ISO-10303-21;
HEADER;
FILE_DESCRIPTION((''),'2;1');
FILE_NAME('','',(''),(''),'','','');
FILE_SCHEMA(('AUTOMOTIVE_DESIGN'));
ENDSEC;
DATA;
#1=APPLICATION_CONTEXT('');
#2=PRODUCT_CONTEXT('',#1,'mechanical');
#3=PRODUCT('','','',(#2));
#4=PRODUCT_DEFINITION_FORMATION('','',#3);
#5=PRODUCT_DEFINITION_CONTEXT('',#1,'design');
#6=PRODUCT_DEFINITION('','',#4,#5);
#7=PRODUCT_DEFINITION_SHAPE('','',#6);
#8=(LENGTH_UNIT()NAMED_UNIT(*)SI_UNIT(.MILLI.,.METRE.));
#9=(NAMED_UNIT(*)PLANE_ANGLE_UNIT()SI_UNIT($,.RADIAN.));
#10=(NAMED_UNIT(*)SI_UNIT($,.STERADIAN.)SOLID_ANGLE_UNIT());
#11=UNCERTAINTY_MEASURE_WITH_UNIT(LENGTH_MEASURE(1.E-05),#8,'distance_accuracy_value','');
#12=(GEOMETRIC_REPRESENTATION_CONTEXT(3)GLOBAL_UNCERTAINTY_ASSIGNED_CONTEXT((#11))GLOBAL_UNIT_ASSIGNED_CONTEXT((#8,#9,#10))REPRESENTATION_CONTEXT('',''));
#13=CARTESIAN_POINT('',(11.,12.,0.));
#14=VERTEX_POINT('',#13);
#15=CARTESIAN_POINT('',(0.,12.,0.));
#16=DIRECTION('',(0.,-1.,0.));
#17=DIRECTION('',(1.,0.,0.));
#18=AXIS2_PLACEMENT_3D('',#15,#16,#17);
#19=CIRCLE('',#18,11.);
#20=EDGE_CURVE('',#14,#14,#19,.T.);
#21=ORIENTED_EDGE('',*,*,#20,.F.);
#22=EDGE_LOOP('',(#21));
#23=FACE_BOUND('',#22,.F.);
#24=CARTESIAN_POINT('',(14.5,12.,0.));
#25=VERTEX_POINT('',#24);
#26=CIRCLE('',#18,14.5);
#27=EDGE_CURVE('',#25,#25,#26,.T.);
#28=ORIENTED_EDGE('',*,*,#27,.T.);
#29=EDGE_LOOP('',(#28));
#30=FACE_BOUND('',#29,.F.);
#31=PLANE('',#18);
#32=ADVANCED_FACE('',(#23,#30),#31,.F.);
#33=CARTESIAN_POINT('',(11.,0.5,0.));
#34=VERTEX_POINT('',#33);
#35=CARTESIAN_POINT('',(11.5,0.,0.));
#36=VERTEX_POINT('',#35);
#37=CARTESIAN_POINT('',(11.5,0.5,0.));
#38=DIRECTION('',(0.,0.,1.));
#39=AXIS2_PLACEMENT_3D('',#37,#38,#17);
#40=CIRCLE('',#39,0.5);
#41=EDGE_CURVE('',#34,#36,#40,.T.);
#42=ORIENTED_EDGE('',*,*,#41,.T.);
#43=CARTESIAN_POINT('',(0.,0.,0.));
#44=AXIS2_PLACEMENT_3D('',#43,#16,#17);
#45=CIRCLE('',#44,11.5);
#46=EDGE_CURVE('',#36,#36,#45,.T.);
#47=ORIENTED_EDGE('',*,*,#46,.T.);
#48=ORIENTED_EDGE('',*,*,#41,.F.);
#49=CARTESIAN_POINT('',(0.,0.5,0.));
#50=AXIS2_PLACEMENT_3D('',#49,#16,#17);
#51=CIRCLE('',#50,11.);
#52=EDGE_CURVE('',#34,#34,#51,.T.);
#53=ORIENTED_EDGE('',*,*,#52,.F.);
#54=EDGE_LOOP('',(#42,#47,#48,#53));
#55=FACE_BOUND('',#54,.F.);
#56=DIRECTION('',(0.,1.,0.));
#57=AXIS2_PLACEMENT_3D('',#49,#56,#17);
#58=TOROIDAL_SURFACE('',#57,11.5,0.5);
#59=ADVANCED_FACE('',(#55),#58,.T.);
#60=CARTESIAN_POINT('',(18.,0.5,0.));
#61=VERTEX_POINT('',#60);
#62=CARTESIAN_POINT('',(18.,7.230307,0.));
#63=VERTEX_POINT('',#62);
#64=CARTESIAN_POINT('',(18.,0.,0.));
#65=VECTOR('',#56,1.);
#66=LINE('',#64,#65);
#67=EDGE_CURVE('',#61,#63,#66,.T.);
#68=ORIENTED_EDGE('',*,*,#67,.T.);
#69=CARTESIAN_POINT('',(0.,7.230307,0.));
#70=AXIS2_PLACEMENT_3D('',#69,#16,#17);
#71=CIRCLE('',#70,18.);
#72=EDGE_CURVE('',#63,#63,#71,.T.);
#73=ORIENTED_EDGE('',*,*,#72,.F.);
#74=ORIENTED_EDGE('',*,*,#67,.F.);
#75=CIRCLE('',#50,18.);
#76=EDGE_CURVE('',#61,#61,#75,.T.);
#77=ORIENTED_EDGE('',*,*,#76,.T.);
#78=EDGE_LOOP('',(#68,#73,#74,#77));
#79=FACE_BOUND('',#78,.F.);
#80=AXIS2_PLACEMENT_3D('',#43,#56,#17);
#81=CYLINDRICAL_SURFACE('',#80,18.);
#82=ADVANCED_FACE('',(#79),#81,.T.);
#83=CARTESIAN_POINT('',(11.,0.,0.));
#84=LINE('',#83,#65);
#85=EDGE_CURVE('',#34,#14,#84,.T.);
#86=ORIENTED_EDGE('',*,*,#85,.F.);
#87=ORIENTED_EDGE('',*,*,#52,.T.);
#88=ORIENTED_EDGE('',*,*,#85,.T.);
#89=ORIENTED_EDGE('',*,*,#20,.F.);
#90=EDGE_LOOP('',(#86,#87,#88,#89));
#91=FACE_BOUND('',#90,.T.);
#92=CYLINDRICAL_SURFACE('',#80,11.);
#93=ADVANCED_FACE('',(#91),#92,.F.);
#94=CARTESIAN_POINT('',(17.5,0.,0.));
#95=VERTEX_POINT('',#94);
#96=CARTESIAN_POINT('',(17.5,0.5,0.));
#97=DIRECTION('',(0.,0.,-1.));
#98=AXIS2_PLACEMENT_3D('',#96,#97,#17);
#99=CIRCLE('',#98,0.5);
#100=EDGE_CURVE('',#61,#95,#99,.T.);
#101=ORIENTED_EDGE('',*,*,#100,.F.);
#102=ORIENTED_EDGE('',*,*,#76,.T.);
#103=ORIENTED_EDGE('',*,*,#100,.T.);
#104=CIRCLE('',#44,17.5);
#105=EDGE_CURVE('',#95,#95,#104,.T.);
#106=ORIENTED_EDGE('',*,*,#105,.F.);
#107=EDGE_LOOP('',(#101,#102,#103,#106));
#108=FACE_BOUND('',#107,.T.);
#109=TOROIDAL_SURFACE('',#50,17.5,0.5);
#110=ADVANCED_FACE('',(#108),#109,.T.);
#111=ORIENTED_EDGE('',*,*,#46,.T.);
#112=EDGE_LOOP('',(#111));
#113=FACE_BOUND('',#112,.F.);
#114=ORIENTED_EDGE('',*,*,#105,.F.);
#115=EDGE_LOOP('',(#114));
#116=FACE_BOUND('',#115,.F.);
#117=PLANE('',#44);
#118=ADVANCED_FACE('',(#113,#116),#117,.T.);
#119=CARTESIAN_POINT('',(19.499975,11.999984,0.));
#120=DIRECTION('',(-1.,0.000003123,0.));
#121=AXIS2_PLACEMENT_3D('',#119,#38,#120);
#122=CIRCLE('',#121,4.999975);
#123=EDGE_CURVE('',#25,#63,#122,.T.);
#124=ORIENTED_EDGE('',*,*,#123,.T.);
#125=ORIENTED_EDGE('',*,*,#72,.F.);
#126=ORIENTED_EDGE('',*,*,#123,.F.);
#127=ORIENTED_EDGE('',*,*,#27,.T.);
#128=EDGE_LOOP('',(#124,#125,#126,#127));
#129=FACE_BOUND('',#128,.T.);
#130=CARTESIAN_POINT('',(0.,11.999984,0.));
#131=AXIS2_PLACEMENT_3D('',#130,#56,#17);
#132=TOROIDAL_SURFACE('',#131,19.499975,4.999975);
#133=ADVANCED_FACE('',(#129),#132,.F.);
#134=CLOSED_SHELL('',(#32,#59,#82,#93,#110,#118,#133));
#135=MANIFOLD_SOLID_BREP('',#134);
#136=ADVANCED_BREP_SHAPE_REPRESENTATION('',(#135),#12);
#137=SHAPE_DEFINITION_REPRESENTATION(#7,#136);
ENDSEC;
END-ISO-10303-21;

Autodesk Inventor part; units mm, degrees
ref_plane "YZ Plane" through (0, 0, 0) normal (1, 0, 0) x (0, 1, 0)
ref_plane "XZ Plane" through (0, 0, 0) normal (0, 1, 0) x (-1, 0, 0)
ref_plane "XY Plane" through (0, 0, 0) normal (0, 0, 1) x (1, 0, 0)
sketch "Sketch1" plane through (0, 0, 0) normal (0, 0, 1) x (1, 0, 0)
  line L0 (0, 0) -> (18, 0)
  line L1 (18, 0) -> (18, 12)
  line L2 (18, 12) -> (0, 12)
  line L3 (0, 12) -> (0, 0)
  line L4 (0, 0) -> (11, 0)
  line L5 (11, 0) -> (11, 12)
  line L6 (11, 12) -> (0, 12)
  line L7 (0, 12) -> (0, 0)
  line L8 (18, 12) -> (19.5, 12)
  arc A0 (14.5, 12) -> (22.6054, 8.0813) centre (19.5, 12) ccw
  point P0 (18, 7.2303)
  dimension "d0" = 18
  dimension "d1" = 12
  dimension "d2" = 11
  dimension "d3" = 1.5
  dimension "d4" = 5
revolve "Revolution1" add sketch "Sketch1" angle 360 about axis through (0, 12, 0) along (0, -1, 0) contours L5 L2 A0 L1 L0
fillet "Fillet1" radius 0.5 2 edges at (-18, 0, 0) (-11, 0, 0)
properties part number "DriveWheelHalf"
